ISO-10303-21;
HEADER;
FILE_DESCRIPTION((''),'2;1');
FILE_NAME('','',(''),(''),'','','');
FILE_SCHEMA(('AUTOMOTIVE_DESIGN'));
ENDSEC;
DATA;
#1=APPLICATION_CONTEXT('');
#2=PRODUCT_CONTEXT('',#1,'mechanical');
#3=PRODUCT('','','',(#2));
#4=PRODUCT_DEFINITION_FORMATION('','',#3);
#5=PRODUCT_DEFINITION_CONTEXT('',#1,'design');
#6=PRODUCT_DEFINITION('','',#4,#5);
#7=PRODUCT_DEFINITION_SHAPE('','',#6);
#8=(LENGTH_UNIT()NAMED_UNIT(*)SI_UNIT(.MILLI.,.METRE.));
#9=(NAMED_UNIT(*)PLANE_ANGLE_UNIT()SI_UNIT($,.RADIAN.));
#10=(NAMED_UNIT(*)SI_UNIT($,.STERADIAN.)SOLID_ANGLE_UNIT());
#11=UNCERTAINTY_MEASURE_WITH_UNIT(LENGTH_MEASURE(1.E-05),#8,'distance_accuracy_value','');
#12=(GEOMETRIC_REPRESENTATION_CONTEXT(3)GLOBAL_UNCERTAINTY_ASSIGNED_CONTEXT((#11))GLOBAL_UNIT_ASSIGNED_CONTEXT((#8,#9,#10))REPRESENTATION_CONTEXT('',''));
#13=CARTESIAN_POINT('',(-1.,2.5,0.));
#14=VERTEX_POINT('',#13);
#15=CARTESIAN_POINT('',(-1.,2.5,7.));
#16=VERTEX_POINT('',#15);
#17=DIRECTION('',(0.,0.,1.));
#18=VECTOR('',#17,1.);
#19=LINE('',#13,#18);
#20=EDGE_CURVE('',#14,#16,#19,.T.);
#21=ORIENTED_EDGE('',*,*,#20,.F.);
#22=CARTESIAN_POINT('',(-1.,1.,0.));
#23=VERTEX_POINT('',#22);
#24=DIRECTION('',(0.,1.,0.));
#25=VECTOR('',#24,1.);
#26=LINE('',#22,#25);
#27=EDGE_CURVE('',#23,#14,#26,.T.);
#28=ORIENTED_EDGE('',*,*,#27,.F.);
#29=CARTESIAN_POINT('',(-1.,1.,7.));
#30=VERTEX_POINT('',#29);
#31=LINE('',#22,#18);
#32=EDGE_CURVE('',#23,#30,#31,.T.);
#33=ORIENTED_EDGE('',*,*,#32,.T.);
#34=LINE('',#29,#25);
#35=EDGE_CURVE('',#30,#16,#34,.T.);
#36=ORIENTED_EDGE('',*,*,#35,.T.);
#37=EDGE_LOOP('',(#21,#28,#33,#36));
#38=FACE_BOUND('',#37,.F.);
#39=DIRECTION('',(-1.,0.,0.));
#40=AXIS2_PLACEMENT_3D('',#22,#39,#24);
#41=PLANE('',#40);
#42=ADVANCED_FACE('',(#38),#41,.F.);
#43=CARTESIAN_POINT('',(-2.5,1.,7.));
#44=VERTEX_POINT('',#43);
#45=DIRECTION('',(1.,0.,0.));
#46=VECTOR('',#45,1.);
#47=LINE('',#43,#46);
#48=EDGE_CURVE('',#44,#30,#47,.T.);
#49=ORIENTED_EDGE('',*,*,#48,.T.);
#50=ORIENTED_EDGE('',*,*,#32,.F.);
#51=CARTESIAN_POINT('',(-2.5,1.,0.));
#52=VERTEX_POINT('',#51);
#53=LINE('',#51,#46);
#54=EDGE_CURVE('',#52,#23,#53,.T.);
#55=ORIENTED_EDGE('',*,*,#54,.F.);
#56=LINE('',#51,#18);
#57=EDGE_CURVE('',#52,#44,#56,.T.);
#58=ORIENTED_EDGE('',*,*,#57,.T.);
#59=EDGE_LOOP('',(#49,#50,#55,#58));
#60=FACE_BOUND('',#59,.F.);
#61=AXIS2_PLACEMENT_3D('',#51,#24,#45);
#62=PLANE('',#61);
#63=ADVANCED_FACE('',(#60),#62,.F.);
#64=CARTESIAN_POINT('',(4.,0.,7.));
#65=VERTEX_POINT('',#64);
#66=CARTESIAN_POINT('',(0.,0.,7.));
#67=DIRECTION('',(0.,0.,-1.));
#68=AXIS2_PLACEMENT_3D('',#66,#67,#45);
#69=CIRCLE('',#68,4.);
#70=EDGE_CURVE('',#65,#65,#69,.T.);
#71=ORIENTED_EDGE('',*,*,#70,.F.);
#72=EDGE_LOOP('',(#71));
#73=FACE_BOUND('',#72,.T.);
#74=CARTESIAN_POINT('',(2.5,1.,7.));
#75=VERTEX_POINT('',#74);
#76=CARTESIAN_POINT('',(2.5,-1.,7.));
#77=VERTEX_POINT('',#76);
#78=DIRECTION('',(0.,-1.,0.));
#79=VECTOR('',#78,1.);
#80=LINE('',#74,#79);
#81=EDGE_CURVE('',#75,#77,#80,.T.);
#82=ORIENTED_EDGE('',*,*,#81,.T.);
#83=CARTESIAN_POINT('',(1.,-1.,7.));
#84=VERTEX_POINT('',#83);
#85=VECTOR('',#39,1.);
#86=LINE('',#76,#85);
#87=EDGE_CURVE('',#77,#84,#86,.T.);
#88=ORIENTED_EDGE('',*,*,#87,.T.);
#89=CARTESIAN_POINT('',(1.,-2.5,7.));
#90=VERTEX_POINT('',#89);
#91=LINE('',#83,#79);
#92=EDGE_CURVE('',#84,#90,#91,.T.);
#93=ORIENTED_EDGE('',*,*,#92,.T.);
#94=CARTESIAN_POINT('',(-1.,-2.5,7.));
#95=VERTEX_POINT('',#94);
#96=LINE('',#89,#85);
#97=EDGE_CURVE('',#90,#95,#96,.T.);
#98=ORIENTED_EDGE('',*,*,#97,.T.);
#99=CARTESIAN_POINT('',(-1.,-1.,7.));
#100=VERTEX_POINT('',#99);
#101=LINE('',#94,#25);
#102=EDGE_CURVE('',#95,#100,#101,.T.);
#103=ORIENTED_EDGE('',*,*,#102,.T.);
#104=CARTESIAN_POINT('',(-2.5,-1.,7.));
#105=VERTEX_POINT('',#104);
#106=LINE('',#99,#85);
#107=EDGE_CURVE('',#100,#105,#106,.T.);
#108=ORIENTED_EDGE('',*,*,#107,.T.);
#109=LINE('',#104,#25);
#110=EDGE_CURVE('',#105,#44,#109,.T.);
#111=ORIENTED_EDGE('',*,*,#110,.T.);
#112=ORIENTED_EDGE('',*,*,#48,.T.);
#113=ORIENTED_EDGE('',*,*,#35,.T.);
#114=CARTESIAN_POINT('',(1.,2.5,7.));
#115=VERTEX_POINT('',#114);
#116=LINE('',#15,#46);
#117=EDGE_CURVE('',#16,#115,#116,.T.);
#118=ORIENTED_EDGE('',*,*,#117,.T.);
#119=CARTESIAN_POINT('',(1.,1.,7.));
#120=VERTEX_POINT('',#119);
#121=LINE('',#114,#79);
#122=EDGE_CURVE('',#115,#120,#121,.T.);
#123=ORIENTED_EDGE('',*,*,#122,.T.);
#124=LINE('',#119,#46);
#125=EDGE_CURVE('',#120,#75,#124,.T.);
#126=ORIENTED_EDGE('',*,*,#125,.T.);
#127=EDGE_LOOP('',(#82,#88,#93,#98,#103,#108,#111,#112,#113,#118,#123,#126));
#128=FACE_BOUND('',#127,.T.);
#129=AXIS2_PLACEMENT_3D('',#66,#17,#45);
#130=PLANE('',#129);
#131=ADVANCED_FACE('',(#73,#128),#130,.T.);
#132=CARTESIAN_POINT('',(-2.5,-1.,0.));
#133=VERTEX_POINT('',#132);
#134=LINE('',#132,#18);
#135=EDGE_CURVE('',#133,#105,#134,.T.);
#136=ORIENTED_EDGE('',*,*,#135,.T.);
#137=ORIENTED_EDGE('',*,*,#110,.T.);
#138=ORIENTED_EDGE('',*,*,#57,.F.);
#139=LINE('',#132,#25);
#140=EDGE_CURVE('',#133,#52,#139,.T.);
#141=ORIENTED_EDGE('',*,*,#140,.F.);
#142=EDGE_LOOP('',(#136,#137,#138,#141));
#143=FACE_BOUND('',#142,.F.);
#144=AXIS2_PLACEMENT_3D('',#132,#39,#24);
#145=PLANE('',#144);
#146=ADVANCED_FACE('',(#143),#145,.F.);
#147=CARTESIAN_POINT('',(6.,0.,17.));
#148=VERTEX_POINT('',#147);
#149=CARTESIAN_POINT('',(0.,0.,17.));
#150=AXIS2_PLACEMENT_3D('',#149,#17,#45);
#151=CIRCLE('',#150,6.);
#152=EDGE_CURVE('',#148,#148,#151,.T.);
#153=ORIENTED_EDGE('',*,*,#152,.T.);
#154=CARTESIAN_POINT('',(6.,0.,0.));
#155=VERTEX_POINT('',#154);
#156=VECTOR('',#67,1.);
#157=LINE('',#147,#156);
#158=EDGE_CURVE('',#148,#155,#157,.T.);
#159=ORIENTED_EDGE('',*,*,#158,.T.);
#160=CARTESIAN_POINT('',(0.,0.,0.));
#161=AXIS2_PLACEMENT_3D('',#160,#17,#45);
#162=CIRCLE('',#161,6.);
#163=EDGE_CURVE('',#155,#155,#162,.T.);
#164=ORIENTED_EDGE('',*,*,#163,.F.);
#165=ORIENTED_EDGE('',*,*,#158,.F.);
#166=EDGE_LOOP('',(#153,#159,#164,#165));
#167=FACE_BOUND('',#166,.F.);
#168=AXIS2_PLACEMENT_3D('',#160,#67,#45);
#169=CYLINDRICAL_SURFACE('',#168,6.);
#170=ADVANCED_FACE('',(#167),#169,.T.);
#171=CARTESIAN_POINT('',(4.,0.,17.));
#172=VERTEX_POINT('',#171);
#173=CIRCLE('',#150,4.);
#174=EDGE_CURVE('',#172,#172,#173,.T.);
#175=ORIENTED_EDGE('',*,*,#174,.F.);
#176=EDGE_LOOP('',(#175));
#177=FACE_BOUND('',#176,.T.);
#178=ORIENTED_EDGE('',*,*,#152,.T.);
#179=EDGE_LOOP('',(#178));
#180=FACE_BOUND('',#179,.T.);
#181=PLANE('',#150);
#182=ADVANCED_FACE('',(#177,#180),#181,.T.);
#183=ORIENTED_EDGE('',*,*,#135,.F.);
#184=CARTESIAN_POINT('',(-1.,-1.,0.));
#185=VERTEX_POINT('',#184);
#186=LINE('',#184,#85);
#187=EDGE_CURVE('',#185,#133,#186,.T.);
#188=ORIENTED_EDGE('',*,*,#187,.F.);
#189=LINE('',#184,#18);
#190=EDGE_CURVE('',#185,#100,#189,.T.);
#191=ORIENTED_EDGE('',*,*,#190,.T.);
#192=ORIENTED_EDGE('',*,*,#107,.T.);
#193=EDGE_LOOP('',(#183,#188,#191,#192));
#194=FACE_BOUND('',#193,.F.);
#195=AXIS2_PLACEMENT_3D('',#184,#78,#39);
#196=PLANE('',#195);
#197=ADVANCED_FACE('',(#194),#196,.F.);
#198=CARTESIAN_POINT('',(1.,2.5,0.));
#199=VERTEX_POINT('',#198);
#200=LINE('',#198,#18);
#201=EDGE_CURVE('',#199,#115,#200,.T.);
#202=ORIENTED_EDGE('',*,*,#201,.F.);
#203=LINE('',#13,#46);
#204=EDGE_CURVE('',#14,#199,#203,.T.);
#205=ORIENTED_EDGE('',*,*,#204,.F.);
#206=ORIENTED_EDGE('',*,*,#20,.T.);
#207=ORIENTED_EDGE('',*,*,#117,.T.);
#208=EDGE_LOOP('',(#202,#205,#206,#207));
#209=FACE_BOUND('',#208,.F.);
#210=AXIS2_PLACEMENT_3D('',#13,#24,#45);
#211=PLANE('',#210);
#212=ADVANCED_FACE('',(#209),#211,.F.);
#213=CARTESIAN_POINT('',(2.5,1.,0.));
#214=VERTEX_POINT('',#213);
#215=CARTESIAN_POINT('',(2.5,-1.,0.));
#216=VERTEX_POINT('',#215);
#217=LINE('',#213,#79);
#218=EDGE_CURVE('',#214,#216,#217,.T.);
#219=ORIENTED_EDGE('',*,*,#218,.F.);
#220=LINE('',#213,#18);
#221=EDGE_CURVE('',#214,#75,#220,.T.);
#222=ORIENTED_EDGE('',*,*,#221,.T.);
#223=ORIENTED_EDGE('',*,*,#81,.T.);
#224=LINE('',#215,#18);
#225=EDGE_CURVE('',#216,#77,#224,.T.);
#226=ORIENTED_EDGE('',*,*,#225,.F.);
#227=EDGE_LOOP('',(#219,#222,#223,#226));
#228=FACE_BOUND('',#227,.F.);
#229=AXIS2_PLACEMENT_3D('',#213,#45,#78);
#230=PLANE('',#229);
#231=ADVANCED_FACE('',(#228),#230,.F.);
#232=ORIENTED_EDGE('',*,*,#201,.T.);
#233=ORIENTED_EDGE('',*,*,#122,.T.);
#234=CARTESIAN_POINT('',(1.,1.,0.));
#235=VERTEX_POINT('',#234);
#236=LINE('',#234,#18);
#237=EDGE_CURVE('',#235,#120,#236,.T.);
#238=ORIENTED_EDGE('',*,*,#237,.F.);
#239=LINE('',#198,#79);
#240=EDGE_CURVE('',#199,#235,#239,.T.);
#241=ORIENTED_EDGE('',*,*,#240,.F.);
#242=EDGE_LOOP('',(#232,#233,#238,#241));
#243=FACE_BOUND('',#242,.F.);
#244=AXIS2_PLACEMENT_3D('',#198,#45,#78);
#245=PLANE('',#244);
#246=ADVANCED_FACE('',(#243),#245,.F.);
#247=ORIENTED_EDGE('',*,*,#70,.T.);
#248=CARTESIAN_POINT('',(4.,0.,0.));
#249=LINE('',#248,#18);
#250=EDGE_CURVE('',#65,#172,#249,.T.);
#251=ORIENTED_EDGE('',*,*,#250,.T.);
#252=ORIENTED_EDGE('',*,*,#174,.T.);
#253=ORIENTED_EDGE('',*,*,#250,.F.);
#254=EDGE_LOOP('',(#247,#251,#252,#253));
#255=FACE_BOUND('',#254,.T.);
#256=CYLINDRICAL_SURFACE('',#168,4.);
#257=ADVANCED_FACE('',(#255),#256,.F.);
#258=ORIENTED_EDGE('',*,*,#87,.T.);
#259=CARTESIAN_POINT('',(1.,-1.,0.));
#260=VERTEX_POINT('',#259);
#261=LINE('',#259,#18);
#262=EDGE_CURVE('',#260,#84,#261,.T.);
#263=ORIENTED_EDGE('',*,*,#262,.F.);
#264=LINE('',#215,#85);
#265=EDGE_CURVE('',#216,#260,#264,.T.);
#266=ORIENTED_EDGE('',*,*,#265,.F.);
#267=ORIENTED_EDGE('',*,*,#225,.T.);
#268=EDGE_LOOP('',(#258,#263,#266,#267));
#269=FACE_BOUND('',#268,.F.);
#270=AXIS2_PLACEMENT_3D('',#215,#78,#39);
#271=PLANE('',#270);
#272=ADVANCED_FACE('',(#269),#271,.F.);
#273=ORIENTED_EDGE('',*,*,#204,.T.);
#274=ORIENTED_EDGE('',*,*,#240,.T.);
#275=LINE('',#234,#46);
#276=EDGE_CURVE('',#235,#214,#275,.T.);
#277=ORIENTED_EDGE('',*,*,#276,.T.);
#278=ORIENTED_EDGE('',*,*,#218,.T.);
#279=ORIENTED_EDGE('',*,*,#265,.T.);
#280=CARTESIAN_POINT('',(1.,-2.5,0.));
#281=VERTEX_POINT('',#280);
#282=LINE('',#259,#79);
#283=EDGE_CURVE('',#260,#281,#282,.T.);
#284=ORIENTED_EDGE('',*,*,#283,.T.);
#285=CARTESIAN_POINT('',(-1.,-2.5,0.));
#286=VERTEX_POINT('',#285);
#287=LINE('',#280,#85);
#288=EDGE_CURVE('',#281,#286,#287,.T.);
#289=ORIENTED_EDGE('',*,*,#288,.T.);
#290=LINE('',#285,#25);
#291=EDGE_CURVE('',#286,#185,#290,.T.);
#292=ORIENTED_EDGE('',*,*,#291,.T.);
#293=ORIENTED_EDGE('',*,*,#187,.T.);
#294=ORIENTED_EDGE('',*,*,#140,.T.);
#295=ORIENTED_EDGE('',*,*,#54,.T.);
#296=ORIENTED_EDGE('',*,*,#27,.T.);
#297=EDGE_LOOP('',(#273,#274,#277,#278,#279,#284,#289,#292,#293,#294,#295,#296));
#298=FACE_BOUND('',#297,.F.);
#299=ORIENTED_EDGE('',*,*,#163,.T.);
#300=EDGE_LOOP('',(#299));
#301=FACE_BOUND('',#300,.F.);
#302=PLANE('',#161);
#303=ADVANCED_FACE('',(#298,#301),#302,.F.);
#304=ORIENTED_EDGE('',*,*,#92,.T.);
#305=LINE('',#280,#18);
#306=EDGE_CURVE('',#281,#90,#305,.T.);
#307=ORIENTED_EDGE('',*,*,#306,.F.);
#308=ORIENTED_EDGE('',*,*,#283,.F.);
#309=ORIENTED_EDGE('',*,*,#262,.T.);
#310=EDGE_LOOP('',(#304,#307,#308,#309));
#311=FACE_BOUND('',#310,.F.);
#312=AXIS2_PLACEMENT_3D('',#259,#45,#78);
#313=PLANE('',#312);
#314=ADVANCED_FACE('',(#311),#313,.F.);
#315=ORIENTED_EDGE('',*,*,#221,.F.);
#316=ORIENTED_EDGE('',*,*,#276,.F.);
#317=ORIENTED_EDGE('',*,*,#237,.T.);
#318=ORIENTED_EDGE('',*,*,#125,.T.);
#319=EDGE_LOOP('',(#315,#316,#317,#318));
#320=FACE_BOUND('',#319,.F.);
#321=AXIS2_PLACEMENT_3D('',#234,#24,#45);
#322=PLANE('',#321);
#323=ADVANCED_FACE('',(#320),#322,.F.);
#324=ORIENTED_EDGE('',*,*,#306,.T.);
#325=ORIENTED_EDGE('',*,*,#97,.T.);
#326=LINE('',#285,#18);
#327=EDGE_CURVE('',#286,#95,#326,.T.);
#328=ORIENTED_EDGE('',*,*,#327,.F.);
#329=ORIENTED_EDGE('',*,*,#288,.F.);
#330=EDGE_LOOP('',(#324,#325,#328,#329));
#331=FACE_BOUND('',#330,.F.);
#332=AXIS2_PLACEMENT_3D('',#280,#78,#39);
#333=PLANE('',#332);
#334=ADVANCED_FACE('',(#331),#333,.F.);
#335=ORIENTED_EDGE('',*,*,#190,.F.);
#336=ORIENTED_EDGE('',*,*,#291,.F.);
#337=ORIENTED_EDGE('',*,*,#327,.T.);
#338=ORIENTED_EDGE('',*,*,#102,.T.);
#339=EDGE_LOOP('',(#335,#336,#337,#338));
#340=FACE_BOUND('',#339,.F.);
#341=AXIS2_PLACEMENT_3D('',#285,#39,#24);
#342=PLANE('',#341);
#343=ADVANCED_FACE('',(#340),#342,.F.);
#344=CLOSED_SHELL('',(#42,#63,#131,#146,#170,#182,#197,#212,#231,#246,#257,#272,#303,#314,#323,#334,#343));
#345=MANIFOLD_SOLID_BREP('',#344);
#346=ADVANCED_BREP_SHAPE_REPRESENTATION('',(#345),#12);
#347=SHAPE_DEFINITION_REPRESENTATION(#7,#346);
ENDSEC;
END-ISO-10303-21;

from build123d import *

# Parameters (mm, degrees)
F0_R     = 6
F0_R_2   = 4
F1_DEPTH = 7
F2_DEPTH = 17


with BuildPart() as f1:
    # F0 (on Top) → F1 (new body)
    with BuildSketch(Plane.XY):
        Circle(F0_R)
        Circle(F0_R_2, mode=Mode.SUBTRACT)
        Circle(F0_R_2)
        Polygon((-1, 2.5), (0, 2.5), (1, 2.5), (1, 1), (2.5, 1), (2.5, 0), (2.5, -1), (1, -1), (1, -2.5), (0, -2.5), (-1, -2.5), (-1, -1), (-2.5, -1), (-2.5, 0), (-2.5, 1), (-1, 1), align=None, mode=Mode.SUBTRACT)
    extrude(amount=F1_DEPTH)

    # F0 (on Top) → F2 (join)
    with BuildSketch(Plane.XY):
        Circle(F0_R)
        Circle(F0_R_2, mode=Mode.SUBTRACT)
    extrude(amount=F2_DEPTH)


solid = f1.part
